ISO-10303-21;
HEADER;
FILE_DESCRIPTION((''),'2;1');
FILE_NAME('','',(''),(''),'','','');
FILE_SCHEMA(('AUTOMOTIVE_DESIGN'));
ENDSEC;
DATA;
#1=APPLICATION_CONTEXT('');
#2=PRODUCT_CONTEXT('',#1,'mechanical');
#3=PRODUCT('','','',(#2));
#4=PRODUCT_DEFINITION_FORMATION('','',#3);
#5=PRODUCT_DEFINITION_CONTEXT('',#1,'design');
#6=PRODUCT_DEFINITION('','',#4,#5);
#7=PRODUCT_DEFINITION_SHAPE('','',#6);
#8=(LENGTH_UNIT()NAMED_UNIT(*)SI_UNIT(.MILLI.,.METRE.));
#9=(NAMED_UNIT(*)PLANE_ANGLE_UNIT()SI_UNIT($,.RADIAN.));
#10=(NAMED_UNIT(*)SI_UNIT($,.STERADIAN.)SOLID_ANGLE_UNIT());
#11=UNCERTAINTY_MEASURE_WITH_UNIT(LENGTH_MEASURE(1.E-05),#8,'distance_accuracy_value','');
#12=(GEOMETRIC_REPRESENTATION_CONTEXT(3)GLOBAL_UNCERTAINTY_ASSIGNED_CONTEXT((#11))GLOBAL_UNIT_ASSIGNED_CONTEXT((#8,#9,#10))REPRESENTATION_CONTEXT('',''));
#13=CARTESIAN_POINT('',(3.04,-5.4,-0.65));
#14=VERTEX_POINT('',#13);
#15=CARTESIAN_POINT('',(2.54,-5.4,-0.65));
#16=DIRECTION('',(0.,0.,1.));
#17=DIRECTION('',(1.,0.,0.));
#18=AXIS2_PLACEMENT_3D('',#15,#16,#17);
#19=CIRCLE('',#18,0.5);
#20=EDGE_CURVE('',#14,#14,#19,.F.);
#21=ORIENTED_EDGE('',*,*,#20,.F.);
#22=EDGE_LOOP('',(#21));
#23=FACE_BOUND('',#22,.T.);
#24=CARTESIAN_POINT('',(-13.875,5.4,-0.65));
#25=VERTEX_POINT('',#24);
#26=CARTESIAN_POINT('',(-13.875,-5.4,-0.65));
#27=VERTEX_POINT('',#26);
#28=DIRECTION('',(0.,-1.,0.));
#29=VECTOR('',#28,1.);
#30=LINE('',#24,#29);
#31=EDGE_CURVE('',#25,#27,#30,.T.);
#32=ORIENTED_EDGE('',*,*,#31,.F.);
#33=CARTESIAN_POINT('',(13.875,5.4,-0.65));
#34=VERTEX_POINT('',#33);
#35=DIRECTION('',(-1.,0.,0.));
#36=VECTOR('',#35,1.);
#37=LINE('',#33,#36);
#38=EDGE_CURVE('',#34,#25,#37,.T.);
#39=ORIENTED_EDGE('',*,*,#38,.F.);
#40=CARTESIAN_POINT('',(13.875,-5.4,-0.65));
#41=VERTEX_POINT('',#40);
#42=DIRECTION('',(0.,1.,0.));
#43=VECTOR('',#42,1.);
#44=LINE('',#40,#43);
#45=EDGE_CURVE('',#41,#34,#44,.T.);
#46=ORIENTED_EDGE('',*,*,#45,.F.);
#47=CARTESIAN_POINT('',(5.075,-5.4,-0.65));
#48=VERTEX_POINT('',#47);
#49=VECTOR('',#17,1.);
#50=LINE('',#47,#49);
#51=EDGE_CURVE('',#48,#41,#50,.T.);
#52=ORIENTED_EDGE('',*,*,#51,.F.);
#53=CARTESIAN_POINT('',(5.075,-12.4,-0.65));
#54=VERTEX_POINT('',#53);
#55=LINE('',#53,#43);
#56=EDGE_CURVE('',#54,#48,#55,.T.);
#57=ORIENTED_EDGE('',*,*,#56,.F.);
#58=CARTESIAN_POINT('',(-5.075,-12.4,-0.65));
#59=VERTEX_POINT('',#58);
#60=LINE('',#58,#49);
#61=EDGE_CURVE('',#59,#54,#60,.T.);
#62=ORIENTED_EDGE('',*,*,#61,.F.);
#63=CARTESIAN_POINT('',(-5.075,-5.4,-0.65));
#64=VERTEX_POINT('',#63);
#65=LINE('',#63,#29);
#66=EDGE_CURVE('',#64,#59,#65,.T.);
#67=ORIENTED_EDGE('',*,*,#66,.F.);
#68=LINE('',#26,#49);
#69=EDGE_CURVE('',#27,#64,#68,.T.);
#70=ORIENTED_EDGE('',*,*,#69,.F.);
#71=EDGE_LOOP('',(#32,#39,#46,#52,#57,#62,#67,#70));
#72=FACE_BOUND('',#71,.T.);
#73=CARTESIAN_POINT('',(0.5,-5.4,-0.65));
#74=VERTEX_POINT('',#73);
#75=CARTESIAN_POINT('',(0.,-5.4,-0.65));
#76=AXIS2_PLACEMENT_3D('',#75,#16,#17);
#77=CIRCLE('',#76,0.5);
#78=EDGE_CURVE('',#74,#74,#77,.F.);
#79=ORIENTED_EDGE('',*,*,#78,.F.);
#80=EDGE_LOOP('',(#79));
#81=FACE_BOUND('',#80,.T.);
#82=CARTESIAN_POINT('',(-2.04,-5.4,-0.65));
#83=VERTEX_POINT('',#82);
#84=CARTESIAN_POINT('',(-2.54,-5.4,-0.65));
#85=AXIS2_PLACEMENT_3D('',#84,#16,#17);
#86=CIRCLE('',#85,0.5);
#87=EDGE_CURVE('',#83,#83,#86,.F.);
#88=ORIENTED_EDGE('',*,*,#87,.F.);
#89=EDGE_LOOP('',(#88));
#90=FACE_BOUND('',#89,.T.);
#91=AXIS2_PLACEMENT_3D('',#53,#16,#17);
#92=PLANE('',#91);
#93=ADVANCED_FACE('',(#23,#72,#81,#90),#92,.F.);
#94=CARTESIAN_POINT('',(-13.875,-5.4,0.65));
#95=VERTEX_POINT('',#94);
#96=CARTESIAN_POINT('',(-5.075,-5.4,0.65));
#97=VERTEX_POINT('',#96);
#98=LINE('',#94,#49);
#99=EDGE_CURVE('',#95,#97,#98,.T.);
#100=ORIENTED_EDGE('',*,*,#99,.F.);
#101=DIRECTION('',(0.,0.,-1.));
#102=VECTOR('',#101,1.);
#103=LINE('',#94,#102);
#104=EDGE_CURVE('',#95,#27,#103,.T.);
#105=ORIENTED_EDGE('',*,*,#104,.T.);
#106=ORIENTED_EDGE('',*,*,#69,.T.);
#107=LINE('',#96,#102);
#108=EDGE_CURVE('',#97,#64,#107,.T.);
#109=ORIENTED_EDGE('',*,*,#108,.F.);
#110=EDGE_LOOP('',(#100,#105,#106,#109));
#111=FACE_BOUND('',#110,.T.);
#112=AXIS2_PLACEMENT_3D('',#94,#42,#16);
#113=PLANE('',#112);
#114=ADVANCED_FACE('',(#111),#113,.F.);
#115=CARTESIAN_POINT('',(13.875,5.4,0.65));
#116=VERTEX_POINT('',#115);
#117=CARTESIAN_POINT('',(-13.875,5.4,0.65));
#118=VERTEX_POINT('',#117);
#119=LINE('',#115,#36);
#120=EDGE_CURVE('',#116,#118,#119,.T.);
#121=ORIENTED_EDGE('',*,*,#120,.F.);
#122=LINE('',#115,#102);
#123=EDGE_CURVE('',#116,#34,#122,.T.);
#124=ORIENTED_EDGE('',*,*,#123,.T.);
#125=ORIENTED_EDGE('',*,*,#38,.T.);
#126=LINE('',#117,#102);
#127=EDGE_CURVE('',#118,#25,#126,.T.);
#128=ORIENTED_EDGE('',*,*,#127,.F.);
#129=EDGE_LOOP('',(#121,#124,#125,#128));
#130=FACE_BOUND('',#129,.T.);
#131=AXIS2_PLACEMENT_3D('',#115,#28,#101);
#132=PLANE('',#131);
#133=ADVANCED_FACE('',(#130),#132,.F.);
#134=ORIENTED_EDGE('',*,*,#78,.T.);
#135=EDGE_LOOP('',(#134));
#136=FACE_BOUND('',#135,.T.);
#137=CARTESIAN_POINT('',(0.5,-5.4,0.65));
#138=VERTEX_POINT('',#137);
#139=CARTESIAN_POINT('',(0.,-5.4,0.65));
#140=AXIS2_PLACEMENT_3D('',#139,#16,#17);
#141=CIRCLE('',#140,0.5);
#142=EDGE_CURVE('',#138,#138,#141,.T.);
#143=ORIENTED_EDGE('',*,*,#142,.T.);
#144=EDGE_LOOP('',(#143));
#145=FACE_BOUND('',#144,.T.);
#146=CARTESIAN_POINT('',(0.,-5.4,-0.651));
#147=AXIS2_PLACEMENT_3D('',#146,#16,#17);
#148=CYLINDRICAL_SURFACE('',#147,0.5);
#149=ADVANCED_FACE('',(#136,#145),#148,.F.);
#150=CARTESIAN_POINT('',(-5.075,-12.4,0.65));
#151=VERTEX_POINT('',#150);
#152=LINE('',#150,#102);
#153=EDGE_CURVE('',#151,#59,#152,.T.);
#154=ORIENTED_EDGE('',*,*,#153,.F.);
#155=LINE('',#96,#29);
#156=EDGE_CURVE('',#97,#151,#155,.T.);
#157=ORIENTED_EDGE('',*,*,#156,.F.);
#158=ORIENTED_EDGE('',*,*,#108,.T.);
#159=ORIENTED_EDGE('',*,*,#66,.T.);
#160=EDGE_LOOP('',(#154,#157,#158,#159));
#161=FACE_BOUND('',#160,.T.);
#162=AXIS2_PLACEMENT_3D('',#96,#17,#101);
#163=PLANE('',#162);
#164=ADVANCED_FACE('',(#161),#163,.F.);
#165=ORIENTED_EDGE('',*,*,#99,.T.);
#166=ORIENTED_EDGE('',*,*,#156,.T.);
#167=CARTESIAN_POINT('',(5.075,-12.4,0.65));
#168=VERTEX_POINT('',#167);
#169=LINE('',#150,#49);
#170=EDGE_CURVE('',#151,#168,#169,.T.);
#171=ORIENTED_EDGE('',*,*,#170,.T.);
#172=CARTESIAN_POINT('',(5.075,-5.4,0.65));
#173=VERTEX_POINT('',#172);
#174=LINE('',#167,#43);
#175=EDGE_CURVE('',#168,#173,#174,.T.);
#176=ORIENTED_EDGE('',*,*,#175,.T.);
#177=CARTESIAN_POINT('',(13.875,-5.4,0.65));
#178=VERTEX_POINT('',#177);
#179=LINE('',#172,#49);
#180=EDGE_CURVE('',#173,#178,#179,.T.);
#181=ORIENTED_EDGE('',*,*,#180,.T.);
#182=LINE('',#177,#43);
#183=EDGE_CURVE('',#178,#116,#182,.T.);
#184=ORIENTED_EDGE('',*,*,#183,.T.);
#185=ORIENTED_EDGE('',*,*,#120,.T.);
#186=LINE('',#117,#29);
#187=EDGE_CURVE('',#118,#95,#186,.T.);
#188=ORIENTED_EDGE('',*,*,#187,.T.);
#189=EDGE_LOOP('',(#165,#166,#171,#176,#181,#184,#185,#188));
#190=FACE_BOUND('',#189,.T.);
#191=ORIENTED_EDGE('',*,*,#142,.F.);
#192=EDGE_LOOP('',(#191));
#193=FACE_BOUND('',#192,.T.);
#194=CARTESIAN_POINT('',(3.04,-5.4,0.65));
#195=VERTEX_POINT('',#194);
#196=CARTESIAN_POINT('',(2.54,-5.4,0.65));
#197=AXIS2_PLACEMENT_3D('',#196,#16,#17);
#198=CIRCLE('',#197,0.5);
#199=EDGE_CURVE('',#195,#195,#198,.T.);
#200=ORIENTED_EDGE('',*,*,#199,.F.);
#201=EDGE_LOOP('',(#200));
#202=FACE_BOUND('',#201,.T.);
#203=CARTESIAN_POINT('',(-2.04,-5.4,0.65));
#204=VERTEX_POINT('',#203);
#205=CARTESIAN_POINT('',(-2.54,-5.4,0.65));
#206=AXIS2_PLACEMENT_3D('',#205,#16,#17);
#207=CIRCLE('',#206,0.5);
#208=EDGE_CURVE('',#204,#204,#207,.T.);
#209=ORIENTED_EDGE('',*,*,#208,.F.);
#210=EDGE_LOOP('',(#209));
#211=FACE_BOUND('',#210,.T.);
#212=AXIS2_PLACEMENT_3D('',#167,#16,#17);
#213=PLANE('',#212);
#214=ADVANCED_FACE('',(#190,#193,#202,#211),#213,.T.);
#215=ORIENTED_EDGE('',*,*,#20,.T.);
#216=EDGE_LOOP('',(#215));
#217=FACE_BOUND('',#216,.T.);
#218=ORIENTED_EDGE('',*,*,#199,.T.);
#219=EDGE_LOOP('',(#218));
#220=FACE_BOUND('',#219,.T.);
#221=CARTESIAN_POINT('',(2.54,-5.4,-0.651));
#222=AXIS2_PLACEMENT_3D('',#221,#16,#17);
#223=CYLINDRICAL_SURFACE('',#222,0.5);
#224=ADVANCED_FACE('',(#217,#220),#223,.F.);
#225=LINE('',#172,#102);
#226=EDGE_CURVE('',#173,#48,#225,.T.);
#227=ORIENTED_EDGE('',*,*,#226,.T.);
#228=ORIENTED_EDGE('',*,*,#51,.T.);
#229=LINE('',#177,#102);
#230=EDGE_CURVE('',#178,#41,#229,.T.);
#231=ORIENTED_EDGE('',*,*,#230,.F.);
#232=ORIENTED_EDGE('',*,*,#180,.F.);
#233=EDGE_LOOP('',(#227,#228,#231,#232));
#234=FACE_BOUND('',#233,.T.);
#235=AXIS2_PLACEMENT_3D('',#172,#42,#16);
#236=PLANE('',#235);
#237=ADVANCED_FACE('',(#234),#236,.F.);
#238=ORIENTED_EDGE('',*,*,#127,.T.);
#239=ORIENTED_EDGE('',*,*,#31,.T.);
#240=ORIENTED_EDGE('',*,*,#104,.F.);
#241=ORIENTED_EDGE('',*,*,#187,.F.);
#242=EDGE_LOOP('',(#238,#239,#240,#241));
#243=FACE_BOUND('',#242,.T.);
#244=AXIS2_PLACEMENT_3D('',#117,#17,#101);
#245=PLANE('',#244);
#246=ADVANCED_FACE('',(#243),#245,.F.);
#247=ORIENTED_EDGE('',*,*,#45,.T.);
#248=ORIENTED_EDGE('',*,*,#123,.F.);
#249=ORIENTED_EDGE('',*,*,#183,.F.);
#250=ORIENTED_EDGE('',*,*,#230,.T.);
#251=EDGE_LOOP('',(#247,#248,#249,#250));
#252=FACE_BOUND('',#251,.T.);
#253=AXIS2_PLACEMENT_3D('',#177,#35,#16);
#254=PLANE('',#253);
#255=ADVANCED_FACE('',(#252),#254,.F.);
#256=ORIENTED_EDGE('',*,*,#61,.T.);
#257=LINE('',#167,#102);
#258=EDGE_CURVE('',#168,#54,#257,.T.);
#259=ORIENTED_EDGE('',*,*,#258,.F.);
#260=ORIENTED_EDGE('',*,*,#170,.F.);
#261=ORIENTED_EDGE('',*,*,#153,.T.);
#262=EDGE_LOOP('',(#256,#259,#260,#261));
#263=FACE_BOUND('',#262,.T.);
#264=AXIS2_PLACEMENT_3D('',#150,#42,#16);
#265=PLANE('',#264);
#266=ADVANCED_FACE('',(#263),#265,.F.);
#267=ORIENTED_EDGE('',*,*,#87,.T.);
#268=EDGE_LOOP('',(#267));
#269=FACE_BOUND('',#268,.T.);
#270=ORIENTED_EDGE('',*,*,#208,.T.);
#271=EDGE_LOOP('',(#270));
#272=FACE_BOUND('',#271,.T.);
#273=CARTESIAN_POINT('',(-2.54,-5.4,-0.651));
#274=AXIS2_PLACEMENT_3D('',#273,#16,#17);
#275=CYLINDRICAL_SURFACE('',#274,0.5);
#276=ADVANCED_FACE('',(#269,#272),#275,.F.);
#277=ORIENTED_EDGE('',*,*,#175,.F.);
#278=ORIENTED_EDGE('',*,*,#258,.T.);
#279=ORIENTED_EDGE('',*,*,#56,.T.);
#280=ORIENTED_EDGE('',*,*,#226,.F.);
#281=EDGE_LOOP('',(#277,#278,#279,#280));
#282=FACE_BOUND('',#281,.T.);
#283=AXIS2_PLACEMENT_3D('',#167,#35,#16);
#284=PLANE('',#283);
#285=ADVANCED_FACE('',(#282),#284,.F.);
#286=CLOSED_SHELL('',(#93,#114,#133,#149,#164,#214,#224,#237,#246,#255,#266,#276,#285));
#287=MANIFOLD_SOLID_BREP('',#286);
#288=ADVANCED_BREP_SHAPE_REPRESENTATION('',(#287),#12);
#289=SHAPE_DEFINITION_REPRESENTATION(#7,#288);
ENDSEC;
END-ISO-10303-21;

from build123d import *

# Parameters (mm, degrees)
EXTRUDE1_DEPTH     = 0.65
CUT_EXTRUDE1_REACH = 20.654
SKETCH3_R          = 0.5
LPATTERN1_COUNT    = 3
LPATTERN1_PITCH    = 2.54


with BuildPart() as part:
    # Sketch1 → Extrude1 (new, symmetric)
    with BuildSketch(Plane.XY):
        Polygon((5.075, -12.4), (5.075, -5.4), (13.875, -5.4), (13.875, 5.4), (-13.875, 5.4), (-13.875, -5.4), (-5.075, -5.4), (-5.075, -12.4), align=None)
    extrude(amount=EXTRUDE1_DEPTH, both=True)

    # Sketch3 → Cut-Extrude1 (cut, up to next)
    with BuildSketch(Plane.XY.offset(0.65), mode=Mode.PRIVATE) as cut_extrude1_sk1:
        with Locations((2.54, -5.4)):
            Circle(SKETCH3_R)
    cut_extrude1_tool1 = extrude(cut_extrude1_sk1.sketch, amount=-CUT_EXTRUDE1_REACH, mode=Mode.PRIVATE) & part.part
    cut_extrude1 = cut_extrude1_tool1.solids().sort_by_distance((2.54, -5.4, 0.65))[0]
    add(cut_extrude1, mode=Mode.SUBTRACT)

    # LPattern1: Cut-Extrude1 ×3
    with Locations(*[(-i * LPATTERN1_PITCH, 0, 0) for i in range(1, LPATTERN1_COUNT)]):
        add(cut_extrude1, mode=Mode.SUBTRACT)


solid = part.part
